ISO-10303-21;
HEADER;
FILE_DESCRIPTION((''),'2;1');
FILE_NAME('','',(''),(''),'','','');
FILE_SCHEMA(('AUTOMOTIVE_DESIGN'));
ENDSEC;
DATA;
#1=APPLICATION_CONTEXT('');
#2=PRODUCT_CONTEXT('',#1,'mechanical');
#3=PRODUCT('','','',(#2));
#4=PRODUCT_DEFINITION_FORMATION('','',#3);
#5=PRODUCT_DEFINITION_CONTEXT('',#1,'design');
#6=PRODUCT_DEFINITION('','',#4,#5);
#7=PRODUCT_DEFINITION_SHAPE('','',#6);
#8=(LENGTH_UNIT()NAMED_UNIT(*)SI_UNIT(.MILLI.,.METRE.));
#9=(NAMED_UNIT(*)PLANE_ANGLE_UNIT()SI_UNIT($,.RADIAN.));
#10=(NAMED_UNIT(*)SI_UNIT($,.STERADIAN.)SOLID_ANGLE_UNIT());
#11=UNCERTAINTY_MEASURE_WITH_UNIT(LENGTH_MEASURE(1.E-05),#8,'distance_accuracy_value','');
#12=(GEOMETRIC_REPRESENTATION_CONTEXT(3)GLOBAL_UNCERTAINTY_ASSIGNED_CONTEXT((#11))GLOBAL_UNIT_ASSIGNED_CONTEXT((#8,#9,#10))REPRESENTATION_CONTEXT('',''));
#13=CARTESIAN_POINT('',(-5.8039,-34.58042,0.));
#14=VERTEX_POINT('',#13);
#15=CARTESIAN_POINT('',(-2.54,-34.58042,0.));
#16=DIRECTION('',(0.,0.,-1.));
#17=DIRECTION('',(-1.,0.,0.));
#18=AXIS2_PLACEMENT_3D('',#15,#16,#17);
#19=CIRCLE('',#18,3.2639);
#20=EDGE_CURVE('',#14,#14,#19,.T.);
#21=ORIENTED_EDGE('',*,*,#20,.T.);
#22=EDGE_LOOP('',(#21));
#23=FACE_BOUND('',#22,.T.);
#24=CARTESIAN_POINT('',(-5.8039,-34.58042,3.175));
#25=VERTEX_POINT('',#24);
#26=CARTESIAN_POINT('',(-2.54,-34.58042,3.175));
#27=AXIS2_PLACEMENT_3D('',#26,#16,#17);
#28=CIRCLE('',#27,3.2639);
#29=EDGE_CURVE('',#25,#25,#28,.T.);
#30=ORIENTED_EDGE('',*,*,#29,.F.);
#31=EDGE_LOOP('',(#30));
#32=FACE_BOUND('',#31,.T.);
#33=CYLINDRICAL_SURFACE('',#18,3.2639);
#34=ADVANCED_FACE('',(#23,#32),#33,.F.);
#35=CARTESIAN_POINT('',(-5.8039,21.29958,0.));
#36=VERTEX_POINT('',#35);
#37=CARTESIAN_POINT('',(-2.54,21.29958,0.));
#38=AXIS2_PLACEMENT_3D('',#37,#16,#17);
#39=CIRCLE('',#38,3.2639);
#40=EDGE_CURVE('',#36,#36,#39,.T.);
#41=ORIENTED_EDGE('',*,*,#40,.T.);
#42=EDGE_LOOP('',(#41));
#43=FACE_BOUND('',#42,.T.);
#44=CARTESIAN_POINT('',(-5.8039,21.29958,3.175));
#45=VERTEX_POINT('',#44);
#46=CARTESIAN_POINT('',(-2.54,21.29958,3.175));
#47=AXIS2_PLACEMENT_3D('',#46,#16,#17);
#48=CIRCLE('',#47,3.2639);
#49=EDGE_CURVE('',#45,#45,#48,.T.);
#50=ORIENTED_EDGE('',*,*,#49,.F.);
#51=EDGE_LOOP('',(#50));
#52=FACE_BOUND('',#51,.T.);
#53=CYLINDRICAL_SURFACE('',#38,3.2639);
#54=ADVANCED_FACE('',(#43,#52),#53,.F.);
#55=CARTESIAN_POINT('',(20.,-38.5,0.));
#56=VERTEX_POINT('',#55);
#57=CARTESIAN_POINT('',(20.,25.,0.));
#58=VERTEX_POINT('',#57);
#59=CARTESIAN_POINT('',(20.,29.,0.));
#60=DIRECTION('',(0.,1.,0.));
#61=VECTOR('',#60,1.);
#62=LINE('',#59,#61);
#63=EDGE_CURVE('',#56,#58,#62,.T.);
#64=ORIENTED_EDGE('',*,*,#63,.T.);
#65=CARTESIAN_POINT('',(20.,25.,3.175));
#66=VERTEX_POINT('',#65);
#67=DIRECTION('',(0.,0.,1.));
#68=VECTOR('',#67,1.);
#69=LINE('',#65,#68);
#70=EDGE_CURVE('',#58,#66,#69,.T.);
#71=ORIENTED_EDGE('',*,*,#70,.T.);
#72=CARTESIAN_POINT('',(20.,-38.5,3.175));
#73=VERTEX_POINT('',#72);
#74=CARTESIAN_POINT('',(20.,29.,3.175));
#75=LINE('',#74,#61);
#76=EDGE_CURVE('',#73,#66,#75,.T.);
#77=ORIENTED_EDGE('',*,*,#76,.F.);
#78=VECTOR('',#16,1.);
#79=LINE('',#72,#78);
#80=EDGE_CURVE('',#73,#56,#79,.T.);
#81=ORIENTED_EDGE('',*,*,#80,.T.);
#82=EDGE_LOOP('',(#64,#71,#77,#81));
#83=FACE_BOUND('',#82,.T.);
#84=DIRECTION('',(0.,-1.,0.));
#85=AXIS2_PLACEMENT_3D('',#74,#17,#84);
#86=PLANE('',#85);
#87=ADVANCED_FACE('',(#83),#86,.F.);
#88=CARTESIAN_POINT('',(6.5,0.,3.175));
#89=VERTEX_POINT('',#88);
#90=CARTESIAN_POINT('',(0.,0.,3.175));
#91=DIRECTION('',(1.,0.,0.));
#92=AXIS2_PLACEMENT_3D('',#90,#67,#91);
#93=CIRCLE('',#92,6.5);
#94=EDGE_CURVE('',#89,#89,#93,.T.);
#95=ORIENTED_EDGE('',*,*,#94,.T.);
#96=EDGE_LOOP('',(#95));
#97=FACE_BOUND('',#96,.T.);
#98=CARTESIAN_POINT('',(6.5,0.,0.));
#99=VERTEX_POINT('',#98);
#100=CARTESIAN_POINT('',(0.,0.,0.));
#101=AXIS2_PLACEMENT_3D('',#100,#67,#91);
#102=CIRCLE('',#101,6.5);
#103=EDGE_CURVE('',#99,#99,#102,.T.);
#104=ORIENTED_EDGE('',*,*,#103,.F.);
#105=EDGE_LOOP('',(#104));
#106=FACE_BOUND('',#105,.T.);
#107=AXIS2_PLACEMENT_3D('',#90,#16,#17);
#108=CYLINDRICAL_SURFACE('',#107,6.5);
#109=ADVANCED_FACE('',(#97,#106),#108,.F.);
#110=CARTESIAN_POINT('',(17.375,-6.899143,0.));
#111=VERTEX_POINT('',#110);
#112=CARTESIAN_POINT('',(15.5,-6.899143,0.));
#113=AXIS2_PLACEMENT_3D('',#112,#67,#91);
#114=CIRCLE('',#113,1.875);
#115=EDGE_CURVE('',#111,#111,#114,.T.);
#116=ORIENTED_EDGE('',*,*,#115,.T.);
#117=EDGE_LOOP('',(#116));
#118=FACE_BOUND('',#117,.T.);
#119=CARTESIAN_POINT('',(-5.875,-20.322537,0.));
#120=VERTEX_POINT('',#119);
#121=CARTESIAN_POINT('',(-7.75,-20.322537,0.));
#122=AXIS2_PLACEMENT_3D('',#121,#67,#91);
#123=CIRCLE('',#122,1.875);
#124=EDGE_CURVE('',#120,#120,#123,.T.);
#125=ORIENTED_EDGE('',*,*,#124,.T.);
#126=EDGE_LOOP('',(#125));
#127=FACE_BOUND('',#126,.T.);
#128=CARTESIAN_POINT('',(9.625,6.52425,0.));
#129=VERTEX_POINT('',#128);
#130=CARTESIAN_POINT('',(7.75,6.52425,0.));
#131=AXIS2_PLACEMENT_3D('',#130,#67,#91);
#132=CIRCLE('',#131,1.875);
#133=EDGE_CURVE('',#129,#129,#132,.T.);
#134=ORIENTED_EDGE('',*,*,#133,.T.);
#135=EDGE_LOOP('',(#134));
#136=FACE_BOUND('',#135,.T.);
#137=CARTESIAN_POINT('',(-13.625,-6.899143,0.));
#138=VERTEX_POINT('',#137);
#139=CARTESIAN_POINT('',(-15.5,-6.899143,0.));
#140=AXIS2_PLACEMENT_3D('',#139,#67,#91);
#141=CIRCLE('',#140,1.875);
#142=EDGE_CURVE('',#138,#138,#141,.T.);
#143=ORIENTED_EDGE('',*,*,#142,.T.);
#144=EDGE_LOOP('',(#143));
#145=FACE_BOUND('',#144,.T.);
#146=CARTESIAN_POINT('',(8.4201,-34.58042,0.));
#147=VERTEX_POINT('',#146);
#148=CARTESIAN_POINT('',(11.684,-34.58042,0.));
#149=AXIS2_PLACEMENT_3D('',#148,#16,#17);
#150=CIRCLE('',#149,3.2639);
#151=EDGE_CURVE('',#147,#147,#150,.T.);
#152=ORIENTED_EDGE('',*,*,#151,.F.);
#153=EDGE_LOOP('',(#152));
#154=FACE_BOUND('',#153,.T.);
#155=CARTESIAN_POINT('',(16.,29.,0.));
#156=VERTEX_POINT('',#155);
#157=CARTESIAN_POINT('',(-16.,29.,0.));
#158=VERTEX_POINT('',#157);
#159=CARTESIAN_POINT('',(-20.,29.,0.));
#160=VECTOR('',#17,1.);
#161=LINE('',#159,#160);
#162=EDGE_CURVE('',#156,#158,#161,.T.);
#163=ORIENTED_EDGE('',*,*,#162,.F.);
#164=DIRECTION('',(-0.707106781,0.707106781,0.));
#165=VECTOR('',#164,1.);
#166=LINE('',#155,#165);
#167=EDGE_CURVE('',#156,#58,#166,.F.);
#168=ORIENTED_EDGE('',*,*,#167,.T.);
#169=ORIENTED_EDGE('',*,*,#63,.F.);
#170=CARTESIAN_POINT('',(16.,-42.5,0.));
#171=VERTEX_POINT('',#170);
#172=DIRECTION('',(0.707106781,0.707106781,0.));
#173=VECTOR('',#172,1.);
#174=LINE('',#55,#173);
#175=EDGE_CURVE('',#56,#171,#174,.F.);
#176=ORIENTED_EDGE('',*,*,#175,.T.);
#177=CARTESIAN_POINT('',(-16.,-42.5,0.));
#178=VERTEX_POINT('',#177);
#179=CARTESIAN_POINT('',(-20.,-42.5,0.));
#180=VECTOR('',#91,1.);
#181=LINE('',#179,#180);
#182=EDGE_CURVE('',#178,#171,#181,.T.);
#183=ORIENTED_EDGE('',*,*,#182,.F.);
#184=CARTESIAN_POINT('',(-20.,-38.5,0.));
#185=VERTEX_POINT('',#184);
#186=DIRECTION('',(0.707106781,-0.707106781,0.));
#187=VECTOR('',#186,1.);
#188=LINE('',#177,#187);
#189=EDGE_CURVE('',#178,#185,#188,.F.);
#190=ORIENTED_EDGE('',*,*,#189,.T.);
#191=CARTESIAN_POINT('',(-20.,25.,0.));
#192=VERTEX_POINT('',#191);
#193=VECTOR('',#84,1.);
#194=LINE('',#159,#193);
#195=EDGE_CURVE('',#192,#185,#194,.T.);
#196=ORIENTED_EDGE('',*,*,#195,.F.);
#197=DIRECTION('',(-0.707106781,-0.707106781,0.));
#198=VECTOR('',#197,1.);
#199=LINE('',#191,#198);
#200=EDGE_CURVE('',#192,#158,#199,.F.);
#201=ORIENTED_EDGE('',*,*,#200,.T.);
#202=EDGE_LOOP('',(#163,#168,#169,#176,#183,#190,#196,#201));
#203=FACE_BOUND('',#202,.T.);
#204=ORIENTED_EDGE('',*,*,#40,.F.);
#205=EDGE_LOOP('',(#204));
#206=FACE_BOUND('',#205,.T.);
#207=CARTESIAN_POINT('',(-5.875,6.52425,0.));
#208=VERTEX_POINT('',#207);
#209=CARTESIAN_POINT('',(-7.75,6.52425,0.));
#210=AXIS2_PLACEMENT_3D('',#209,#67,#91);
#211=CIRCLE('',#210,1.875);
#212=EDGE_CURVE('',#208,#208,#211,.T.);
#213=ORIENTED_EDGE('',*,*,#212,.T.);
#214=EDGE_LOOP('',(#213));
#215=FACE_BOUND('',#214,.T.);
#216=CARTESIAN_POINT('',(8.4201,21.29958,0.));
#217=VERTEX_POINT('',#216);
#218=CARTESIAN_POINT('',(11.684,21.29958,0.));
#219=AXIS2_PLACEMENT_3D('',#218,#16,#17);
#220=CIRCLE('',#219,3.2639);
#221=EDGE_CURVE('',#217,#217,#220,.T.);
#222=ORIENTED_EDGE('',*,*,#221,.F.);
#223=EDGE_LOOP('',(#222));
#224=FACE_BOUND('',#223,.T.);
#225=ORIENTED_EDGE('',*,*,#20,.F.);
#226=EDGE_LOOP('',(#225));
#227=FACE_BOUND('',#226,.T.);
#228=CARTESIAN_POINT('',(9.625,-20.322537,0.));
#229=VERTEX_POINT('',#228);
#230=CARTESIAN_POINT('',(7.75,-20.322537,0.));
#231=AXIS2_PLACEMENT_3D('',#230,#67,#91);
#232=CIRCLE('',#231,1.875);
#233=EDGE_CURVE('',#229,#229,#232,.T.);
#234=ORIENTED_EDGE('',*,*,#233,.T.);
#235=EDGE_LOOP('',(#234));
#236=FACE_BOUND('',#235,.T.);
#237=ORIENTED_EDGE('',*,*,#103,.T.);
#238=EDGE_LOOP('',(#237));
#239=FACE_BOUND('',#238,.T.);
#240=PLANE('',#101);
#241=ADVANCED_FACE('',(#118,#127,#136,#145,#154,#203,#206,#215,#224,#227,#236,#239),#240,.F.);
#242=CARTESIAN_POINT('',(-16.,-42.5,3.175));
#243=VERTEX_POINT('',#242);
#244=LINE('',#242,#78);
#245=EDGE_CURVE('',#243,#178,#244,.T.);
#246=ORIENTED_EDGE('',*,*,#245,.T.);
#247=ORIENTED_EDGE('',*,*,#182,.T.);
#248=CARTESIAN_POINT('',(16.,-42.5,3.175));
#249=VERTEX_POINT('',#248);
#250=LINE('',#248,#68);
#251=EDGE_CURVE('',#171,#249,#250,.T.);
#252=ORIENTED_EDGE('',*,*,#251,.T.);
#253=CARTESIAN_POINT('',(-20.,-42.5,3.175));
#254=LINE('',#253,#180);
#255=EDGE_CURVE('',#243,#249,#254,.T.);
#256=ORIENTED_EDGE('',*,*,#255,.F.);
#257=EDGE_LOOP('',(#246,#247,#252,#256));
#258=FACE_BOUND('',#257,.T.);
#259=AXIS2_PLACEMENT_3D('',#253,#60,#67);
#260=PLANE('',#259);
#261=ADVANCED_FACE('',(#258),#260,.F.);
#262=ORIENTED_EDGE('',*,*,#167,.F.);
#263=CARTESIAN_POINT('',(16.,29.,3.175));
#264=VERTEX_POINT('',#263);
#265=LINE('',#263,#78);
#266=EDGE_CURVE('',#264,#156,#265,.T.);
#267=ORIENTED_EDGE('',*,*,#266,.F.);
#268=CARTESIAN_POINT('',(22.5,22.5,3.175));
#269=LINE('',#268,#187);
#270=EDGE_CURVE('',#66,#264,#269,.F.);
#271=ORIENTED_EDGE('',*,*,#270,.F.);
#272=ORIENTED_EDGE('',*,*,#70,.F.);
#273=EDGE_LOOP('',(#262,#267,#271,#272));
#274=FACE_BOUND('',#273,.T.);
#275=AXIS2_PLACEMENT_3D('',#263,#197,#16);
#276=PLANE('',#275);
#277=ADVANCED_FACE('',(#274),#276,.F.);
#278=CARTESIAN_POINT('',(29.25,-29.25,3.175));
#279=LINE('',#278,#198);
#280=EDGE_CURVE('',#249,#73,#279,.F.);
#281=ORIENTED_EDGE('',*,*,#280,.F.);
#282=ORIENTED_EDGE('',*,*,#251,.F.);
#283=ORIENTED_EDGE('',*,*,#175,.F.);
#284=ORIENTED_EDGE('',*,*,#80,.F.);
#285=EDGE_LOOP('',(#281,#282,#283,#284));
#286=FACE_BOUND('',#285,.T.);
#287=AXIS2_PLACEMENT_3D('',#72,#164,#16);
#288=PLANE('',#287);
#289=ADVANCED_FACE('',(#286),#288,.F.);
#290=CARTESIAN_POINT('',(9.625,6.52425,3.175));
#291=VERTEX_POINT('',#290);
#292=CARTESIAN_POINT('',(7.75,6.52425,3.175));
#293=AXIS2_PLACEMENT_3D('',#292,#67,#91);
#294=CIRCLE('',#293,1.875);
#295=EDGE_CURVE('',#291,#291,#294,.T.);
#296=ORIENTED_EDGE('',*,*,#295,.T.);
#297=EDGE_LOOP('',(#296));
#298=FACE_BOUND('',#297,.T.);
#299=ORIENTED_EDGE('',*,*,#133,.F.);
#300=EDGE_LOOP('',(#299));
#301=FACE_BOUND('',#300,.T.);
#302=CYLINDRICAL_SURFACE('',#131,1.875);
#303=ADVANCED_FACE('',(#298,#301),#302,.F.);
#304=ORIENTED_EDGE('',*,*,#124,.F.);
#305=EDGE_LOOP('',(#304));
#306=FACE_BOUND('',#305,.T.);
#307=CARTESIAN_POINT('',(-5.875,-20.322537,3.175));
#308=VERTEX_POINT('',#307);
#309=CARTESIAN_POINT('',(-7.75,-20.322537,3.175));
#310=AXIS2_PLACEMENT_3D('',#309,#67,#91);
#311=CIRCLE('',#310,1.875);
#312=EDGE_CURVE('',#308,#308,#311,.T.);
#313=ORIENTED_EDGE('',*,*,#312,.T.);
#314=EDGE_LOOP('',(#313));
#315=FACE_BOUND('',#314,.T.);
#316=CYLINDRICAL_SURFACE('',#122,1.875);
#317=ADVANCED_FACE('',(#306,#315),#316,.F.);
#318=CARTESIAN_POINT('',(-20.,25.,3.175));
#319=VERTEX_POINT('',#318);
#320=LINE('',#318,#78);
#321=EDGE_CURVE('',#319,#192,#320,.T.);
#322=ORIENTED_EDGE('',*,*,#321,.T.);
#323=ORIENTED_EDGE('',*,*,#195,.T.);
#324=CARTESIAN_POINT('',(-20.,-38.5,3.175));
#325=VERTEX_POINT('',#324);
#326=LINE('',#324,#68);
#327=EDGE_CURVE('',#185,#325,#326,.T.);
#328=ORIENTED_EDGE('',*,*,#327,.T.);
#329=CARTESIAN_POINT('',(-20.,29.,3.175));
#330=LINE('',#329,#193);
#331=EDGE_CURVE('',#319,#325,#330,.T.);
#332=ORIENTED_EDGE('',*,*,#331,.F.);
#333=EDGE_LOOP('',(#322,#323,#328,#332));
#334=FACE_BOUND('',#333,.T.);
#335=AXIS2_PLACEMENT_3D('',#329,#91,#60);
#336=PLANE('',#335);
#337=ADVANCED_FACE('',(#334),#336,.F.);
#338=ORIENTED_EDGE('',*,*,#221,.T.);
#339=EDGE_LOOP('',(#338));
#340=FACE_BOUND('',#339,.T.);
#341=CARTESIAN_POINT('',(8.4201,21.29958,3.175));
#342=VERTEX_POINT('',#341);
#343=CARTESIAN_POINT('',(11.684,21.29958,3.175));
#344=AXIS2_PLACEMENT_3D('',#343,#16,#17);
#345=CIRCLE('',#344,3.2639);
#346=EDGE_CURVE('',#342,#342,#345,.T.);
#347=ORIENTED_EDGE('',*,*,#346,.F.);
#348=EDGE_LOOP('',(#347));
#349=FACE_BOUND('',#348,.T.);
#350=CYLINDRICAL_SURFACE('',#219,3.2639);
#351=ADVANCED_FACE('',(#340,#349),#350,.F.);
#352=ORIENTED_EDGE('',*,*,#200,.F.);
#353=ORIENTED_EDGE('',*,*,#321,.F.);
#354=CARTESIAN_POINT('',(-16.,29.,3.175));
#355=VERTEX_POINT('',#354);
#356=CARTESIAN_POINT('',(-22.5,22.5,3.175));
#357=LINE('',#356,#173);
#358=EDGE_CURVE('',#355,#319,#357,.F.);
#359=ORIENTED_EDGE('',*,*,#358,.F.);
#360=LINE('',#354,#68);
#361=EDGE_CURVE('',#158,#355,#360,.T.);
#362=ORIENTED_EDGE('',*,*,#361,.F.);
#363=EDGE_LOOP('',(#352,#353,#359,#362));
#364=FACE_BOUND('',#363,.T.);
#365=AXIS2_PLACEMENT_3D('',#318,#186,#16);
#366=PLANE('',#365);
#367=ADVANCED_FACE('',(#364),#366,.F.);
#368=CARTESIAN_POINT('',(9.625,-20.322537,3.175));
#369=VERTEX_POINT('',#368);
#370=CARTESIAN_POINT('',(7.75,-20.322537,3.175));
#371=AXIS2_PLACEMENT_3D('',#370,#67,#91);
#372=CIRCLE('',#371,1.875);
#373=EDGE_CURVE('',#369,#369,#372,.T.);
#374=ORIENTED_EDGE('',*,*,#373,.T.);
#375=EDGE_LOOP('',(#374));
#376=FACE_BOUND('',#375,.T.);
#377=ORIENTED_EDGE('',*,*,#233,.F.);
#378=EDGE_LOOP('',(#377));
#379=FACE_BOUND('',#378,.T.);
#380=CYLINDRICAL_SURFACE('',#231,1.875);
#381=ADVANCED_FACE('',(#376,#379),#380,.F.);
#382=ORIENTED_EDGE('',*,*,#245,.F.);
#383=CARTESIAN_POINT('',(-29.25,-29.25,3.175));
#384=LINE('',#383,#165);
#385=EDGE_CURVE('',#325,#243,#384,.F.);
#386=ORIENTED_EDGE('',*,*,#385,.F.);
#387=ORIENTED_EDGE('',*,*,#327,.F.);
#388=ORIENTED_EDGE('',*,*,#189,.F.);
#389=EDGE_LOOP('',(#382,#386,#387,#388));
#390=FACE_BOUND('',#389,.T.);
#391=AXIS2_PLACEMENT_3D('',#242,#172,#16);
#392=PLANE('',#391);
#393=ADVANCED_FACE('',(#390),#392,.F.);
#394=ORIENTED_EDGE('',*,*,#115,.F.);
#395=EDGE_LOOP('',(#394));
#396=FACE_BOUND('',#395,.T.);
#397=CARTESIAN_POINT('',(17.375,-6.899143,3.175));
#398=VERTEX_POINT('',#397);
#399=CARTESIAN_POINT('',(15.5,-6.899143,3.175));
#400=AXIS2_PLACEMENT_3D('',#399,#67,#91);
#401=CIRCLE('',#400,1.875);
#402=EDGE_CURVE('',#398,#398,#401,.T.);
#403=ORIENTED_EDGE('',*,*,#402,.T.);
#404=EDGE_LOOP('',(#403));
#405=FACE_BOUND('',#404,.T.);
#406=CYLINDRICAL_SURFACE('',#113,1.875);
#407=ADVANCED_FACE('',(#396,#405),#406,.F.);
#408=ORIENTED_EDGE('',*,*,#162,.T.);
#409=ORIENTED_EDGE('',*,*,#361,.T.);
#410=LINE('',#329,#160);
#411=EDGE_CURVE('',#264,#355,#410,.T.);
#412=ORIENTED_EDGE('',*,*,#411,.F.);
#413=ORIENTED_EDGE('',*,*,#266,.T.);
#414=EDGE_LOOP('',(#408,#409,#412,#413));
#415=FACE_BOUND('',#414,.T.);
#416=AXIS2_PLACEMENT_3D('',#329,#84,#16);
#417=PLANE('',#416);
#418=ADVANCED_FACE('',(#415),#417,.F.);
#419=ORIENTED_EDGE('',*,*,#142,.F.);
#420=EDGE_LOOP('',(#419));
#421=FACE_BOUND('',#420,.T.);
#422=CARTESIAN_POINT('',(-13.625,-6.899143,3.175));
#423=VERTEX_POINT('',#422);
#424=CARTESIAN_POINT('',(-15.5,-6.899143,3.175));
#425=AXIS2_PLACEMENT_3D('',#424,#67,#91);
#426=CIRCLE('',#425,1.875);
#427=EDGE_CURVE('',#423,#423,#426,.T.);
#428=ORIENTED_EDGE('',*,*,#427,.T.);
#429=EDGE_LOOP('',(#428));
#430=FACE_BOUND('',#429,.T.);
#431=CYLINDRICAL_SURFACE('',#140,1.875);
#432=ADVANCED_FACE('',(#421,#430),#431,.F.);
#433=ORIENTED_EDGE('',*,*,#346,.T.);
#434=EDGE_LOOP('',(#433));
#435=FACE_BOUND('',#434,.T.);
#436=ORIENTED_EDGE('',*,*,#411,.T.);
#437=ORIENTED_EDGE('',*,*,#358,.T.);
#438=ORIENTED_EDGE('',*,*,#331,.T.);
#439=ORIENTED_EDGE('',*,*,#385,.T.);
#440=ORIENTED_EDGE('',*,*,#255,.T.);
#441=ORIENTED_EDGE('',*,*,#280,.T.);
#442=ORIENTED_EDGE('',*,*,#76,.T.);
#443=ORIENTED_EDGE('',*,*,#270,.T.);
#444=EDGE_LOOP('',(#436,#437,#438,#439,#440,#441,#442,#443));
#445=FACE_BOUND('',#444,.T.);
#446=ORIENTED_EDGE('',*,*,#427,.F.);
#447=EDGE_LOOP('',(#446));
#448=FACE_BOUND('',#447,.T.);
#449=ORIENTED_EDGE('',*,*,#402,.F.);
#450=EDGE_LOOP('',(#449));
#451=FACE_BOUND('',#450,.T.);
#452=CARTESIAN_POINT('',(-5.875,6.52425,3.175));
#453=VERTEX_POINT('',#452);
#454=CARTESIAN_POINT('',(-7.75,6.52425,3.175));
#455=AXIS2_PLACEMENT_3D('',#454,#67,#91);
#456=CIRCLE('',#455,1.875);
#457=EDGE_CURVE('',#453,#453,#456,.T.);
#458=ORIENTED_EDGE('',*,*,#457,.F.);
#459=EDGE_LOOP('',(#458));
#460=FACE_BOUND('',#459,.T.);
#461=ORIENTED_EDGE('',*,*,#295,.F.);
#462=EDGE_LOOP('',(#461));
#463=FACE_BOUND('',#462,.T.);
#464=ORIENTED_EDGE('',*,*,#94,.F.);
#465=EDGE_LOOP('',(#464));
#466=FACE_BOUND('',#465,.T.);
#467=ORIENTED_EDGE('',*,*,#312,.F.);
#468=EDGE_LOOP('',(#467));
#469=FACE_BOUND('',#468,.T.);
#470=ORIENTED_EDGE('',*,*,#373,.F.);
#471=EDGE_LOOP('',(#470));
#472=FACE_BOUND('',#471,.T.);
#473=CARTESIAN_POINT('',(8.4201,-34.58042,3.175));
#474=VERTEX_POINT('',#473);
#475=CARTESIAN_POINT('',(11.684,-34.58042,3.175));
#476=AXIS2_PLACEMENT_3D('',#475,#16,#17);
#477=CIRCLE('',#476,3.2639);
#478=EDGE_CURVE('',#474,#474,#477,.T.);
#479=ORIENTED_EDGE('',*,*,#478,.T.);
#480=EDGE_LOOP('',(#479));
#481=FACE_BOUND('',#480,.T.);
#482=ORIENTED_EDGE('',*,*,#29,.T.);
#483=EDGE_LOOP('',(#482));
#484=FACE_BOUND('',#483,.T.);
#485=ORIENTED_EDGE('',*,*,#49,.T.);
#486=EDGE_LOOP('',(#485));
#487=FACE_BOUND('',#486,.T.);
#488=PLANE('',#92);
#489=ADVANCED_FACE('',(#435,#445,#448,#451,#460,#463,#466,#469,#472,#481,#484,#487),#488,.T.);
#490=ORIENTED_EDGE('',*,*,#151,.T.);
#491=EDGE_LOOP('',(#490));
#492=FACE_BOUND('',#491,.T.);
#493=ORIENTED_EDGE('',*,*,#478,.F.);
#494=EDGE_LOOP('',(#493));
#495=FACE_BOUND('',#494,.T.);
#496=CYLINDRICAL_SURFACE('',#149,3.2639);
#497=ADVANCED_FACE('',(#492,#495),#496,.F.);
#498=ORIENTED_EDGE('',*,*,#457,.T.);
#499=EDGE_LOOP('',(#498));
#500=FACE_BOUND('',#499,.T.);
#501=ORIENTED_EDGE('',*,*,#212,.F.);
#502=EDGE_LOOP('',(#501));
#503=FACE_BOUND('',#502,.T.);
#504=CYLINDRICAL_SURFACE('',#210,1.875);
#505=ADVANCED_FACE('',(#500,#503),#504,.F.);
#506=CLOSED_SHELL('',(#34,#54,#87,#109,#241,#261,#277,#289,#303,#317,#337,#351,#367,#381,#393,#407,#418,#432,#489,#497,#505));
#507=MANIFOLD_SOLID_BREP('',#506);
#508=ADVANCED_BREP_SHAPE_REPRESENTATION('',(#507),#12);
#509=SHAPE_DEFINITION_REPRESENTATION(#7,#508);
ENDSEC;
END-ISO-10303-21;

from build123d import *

# Parameters (mm, degrees)
SKETCH1_W               = 40
SKETCH1_H               = 71.5
SKETCH1_R               = 6.5
BOSS_EXTRUDE1_DEPTH     = 3.175
CHAMFER1_SIZE           = 4
SKETCH2_R               = 1.875
CUT_EXTRUDE1_DEPTH      = 4.175
F_1_4_CLEARANCE_HOLE1_D = 6.5278


with BuildPart() as part:
    # Sketch1 → Boss-Extrude1 (new body)
    with BuildSketch(Plane.XY):
        with Locations((0, -6.75)):
            Rectangle(SKETCH1_W, SKETCH1_H)
        Circle(SKETCH1_R, mode=Mode.SUBTRACT)
    extrude(amount=BOSS_EXTRUDE1_DEPTH)

    # Chamfer1
    chamfer1_edges = [part.edges().sort_by_distance(p)[0] for p in [
        (-20, 29, 1.5875),
        (20, 29, 1.5875),
        (20, -42.5, 1.5875),
        (-20, -42.5, 1.5875),
    ]]
    chamfer(chamfer1_edges, length=CHAMFER1_SIZE)

    # Sketch2 → Cut-Extrude1 (cut, through all)
    with BuildSketch(Plane.XY.offset(3.175)):
        with Locations((-7.75, 6.524250301)):
            Circle(SKETCH2_R)
        with Locations((7.75, 6.524250301)):
            Circle(SKETCH2_R)
        with Locations((15.5, -6.899143458)):
            Circle(SKETCH2_R)
        with Locations((7.75, -20.322537216)):
            Circle(SKETCH2_R)
        with Locations((-7.75, -20.322537216)):
            Circle(SKETCH2_R)
        with Locations((-15.5, -6.899143458)):
            Circle(SKETCH2_R)
    extrude(amount=-CUT_EXTRUDE1_DEPTH, mode=Mode.SUBTRACT)

    # 1/4 Clearance Hole1 (through all)
    with Locations(Plane(origin=(0, 0, 0), x_dir=(-1, 0, 0), z_dir=(0, 0, -1))):
        with Locations((-11.684, 21.299580024), (2.54, 21.299580024), (-11.684, -34.580419976), (2.54, -34.580419976)):
            Hole(F_1_4_CLEARANCE_HOLE1_D / 2)


solid = part.part
